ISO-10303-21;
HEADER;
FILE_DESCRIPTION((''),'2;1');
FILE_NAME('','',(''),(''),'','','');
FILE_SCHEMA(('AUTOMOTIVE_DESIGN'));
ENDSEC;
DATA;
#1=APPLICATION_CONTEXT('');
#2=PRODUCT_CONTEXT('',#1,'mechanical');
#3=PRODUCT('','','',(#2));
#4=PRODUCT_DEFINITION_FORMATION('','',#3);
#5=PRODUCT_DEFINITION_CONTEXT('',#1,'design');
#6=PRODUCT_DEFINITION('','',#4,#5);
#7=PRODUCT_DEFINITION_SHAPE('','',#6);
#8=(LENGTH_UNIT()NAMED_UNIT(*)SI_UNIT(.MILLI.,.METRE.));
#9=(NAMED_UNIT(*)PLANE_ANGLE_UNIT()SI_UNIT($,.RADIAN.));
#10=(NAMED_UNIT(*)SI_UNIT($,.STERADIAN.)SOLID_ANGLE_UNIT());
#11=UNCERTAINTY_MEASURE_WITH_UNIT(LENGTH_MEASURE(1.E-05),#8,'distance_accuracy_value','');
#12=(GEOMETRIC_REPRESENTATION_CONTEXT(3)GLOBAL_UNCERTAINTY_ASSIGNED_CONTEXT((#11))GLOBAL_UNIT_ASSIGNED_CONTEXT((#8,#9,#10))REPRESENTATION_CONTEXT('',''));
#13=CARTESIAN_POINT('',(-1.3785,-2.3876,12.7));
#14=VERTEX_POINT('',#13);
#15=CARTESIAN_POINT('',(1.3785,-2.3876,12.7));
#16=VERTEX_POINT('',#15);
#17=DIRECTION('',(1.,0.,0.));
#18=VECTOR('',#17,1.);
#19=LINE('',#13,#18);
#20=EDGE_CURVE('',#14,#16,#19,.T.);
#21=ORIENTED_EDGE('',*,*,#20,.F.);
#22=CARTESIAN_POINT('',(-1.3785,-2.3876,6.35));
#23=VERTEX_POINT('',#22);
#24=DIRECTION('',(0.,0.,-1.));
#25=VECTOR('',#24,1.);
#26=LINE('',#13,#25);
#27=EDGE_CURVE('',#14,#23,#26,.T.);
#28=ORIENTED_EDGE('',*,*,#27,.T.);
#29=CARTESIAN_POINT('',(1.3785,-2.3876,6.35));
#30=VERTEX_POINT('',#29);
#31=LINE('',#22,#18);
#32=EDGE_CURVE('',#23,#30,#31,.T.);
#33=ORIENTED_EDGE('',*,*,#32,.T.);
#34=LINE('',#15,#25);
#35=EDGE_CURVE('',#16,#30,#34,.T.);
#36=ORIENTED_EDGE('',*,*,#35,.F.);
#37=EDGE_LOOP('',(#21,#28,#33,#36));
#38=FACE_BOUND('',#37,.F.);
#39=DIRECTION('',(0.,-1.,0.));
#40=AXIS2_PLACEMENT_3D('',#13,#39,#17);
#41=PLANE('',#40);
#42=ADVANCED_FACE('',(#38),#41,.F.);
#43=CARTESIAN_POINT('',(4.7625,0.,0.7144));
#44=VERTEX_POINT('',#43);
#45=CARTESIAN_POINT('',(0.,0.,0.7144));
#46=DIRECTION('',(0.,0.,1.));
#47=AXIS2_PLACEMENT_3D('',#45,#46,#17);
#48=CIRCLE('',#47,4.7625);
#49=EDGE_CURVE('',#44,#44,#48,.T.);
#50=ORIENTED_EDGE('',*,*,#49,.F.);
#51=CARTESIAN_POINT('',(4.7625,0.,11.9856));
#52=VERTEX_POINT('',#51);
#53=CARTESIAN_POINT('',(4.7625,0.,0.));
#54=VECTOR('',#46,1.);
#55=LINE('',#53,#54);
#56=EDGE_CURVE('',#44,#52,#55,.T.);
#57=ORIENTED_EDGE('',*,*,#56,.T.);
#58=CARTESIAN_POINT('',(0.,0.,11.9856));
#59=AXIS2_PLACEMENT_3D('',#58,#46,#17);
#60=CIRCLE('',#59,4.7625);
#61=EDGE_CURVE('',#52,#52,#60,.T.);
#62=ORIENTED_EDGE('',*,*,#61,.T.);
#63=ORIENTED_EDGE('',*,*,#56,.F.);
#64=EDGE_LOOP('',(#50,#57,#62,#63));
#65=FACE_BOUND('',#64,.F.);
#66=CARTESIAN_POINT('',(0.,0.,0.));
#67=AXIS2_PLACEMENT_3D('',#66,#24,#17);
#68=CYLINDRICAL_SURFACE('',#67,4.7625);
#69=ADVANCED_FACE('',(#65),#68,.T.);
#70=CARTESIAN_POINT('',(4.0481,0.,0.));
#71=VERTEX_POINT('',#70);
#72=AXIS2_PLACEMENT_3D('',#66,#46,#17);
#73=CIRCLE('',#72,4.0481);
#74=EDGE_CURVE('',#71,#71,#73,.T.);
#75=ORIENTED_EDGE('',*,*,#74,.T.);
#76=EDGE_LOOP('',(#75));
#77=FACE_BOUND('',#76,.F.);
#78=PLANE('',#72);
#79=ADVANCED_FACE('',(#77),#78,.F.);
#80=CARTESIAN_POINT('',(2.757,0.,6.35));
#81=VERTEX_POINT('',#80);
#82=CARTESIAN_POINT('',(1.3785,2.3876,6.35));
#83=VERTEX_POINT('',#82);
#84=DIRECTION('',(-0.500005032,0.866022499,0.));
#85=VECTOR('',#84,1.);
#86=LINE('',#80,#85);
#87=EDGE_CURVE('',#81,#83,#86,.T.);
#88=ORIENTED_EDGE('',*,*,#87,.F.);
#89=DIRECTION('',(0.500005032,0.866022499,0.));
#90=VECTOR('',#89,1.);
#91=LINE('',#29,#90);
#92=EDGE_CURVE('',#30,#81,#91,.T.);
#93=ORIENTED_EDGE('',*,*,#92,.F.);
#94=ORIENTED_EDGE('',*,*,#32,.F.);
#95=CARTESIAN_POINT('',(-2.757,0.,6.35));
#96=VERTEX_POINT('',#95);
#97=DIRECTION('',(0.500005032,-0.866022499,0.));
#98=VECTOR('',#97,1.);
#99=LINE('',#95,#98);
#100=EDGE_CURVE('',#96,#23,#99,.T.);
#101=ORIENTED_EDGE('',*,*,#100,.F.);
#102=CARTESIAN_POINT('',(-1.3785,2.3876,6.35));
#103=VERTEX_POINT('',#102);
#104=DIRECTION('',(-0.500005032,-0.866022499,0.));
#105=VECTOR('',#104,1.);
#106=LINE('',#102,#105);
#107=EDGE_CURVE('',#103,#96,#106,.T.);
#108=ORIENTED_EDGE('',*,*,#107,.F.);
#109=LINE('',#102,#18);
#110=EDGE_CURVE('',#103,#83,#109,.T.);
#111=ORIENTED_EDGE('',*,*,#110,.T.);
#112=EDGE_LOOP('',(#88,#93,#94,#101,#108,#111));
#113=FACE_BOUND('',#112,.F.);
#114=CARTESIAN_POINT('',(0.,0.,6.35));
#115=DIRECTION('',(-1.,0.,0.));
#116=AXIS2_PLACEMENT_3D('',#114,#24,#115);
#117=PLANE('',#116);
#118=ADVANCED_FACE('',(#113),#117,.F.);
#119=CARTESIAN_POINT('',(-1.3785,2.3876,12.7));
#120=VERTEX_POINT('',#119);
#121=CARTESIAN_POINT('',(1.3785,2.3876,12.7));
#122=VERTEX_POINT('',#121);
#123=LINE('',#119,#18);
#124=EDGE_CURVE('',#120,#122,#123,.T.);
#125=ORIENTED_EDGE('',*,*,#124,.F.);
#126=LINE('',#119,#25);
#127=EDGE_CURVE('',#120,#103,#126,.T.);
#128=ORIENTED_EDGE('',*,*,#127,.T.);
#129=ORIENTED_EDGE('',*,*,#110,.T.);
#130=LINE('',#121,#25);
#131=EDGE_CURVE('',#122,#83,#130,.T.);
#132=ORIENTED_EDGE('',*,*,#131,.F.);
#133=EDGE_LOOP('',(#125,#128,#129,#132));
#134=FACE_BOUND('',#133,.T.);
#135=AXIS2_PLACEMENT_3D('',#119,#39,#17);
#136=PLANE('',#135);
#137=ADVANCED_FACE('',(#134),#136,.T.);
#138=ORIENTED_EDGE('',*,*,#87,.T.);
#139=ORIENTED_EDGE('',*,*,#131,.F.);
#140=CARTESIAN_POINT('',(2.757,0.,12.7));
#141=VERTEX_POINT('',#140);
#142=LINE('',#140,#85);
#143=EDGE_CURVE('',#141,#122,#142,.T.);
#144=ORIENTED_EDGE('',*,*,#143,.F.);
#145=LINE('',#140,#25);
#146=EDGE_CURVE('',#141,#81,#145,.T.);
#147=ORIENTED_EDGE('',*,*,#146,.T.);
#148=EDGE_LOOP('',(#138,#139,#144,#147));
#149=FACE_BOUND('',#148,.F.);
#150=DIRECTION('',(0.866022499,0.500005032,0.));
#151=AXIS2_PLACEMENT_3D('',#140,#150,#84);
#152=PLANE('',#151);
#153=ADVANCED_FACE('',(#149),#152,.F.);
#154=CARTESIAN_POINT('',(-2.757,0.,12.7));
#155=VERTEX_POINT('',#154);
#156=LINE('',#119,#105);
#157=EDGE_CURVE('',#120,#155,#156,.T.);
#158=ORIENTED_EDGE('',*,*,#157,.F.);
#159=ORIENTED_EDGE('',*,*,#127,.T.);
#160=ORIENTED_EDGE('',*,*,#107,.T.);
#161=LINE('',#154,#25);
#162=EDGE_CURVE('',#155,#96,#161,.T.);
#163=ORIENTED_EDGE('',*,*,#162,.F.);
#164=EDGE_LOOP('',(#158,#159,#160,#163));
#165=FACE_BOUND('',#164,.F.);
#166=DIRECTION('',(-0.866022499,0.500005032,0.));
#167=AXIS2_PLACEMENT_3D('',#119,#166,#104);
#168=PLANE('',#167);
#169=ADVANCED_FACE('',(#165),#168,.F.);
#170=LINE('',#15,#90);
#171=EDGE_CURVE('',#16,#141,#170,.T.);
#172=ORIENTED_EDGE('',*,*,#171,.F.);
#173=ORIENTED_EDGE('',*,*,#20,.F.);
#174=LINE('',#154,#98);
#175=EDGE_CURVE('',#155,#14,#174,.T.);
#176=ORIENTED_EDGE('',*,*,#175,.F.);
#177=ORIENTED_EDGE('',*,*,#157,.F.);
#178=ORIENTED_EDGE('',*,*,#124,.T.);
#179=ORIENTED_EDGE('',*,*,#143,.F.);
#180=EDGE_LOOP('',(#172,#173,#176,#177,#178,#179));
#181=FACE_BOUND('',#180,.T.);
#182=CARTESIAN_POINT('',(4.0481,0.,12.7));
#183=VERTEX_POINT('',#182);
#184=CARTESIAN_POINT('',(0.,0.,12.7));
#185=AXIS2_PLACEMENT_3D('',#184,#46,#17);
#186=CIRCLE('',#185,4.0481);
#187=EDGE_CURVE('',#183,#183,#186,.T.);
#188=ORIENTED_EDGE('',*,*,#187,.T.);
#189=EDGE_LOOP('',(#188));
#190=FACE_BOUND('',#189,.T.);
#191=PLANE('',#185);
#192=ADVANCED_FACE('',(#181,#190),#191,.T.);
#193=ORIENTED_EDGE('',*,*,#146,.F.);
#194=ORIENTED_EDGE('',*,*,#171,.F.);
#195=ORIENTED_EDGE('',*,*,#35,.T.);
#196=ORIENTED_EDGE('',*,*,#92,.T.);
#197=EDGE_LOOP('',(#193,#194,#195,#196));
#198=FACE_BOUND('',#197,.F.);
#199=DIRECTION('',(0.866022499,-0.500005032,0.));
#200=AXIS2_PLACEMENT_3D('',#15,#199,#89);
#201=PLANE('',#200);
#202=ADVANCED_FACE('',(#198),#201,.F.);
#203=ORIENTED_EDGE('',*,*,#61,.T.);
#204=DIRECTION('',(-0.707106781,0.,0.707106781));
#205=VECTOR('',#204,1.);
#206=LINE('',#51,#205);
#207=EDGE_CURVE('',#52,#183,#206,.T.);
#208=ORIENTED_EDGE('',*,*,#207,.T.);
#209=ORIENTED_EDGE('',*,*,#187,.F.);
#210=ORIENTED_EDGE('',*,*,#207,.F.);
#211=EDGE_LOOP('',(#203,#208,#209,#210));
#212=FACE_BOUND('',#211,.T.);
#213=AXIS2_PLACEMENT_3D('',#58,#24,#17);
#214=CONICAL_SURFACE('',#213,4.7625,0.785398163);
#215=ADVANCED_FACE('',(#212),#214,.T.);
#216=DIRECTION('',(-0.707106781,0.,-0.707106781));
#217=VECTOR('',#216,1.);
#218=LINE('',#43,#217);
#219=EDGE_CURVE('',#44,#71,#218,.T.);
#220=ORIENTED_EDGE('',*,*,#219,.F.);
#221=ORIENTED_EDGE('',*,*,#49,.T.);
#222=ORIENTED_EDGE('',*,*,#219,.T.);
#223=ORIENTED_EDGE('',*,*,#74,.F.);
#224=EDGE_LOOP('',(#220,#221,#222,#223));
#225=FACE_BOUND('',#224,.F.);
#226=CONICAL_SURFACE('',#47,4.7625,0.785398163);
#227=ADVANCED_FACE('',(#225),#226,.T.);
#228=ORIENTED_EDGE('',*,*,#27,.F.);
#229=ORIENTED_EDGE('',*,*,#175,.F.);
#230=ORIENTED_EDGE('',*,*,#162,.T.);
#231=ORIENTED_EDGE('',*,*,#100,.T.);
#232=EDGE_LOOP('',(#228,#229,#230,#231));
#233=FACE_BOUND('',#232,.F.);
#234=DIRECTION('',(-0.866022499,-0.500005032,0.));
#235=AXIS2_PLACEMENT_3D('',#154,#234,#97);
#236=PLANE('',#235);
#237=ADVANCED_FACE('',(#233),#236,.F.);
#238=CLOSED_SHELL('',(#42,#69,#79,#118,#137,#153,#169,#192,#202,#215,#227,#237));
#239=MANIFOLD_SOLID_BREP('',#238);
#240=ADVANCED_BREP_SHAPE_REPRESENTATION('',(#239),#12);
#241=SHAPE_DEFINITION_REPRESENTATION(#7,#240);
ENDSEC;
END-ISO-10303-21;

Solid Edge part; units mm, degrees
sketch "Sketch1" plane through (0, 0, 0) normal (0, 0, 1) x (1, 0, 0)
  circle A0 centre (0, 0) radius 4.7625
  dimension "D1" = 9.525
extrude "Protrusion1" add sketch "Sketch1" along normal blind 12.7
chamfer "Chamfer1" distance 0.7144 angle 45 2 edges at (-4.7625, 0, 0) (-4.7625, 0, 12.7)
sketch "Sketch2" plane through (0, 0, 12.7) normal (0, 0, 1) x (1, 0, 0)
  line L0 (-1.3785, 2.3876) -> (1.3785, 2.3876)
  line L1 (2.757, 0) -> (1.3785, 2.3876)
  line L2 (1.3785, -2.3876) -> (2.757, 0)
  line L3 (-1.3785, -2.3876) -> (1.3785, -2.3876)
  line L4 (-2.757, 0) -> (-1.3785, -2.3876)
  line L5 (-1.3785, 2.3876) -> (-2.757, 0)
  dimension "D1" = 4.7752
extrude "Cutout1" cut sketch "Sketch2" against normal blind 6.35
properties part number "24106626"
